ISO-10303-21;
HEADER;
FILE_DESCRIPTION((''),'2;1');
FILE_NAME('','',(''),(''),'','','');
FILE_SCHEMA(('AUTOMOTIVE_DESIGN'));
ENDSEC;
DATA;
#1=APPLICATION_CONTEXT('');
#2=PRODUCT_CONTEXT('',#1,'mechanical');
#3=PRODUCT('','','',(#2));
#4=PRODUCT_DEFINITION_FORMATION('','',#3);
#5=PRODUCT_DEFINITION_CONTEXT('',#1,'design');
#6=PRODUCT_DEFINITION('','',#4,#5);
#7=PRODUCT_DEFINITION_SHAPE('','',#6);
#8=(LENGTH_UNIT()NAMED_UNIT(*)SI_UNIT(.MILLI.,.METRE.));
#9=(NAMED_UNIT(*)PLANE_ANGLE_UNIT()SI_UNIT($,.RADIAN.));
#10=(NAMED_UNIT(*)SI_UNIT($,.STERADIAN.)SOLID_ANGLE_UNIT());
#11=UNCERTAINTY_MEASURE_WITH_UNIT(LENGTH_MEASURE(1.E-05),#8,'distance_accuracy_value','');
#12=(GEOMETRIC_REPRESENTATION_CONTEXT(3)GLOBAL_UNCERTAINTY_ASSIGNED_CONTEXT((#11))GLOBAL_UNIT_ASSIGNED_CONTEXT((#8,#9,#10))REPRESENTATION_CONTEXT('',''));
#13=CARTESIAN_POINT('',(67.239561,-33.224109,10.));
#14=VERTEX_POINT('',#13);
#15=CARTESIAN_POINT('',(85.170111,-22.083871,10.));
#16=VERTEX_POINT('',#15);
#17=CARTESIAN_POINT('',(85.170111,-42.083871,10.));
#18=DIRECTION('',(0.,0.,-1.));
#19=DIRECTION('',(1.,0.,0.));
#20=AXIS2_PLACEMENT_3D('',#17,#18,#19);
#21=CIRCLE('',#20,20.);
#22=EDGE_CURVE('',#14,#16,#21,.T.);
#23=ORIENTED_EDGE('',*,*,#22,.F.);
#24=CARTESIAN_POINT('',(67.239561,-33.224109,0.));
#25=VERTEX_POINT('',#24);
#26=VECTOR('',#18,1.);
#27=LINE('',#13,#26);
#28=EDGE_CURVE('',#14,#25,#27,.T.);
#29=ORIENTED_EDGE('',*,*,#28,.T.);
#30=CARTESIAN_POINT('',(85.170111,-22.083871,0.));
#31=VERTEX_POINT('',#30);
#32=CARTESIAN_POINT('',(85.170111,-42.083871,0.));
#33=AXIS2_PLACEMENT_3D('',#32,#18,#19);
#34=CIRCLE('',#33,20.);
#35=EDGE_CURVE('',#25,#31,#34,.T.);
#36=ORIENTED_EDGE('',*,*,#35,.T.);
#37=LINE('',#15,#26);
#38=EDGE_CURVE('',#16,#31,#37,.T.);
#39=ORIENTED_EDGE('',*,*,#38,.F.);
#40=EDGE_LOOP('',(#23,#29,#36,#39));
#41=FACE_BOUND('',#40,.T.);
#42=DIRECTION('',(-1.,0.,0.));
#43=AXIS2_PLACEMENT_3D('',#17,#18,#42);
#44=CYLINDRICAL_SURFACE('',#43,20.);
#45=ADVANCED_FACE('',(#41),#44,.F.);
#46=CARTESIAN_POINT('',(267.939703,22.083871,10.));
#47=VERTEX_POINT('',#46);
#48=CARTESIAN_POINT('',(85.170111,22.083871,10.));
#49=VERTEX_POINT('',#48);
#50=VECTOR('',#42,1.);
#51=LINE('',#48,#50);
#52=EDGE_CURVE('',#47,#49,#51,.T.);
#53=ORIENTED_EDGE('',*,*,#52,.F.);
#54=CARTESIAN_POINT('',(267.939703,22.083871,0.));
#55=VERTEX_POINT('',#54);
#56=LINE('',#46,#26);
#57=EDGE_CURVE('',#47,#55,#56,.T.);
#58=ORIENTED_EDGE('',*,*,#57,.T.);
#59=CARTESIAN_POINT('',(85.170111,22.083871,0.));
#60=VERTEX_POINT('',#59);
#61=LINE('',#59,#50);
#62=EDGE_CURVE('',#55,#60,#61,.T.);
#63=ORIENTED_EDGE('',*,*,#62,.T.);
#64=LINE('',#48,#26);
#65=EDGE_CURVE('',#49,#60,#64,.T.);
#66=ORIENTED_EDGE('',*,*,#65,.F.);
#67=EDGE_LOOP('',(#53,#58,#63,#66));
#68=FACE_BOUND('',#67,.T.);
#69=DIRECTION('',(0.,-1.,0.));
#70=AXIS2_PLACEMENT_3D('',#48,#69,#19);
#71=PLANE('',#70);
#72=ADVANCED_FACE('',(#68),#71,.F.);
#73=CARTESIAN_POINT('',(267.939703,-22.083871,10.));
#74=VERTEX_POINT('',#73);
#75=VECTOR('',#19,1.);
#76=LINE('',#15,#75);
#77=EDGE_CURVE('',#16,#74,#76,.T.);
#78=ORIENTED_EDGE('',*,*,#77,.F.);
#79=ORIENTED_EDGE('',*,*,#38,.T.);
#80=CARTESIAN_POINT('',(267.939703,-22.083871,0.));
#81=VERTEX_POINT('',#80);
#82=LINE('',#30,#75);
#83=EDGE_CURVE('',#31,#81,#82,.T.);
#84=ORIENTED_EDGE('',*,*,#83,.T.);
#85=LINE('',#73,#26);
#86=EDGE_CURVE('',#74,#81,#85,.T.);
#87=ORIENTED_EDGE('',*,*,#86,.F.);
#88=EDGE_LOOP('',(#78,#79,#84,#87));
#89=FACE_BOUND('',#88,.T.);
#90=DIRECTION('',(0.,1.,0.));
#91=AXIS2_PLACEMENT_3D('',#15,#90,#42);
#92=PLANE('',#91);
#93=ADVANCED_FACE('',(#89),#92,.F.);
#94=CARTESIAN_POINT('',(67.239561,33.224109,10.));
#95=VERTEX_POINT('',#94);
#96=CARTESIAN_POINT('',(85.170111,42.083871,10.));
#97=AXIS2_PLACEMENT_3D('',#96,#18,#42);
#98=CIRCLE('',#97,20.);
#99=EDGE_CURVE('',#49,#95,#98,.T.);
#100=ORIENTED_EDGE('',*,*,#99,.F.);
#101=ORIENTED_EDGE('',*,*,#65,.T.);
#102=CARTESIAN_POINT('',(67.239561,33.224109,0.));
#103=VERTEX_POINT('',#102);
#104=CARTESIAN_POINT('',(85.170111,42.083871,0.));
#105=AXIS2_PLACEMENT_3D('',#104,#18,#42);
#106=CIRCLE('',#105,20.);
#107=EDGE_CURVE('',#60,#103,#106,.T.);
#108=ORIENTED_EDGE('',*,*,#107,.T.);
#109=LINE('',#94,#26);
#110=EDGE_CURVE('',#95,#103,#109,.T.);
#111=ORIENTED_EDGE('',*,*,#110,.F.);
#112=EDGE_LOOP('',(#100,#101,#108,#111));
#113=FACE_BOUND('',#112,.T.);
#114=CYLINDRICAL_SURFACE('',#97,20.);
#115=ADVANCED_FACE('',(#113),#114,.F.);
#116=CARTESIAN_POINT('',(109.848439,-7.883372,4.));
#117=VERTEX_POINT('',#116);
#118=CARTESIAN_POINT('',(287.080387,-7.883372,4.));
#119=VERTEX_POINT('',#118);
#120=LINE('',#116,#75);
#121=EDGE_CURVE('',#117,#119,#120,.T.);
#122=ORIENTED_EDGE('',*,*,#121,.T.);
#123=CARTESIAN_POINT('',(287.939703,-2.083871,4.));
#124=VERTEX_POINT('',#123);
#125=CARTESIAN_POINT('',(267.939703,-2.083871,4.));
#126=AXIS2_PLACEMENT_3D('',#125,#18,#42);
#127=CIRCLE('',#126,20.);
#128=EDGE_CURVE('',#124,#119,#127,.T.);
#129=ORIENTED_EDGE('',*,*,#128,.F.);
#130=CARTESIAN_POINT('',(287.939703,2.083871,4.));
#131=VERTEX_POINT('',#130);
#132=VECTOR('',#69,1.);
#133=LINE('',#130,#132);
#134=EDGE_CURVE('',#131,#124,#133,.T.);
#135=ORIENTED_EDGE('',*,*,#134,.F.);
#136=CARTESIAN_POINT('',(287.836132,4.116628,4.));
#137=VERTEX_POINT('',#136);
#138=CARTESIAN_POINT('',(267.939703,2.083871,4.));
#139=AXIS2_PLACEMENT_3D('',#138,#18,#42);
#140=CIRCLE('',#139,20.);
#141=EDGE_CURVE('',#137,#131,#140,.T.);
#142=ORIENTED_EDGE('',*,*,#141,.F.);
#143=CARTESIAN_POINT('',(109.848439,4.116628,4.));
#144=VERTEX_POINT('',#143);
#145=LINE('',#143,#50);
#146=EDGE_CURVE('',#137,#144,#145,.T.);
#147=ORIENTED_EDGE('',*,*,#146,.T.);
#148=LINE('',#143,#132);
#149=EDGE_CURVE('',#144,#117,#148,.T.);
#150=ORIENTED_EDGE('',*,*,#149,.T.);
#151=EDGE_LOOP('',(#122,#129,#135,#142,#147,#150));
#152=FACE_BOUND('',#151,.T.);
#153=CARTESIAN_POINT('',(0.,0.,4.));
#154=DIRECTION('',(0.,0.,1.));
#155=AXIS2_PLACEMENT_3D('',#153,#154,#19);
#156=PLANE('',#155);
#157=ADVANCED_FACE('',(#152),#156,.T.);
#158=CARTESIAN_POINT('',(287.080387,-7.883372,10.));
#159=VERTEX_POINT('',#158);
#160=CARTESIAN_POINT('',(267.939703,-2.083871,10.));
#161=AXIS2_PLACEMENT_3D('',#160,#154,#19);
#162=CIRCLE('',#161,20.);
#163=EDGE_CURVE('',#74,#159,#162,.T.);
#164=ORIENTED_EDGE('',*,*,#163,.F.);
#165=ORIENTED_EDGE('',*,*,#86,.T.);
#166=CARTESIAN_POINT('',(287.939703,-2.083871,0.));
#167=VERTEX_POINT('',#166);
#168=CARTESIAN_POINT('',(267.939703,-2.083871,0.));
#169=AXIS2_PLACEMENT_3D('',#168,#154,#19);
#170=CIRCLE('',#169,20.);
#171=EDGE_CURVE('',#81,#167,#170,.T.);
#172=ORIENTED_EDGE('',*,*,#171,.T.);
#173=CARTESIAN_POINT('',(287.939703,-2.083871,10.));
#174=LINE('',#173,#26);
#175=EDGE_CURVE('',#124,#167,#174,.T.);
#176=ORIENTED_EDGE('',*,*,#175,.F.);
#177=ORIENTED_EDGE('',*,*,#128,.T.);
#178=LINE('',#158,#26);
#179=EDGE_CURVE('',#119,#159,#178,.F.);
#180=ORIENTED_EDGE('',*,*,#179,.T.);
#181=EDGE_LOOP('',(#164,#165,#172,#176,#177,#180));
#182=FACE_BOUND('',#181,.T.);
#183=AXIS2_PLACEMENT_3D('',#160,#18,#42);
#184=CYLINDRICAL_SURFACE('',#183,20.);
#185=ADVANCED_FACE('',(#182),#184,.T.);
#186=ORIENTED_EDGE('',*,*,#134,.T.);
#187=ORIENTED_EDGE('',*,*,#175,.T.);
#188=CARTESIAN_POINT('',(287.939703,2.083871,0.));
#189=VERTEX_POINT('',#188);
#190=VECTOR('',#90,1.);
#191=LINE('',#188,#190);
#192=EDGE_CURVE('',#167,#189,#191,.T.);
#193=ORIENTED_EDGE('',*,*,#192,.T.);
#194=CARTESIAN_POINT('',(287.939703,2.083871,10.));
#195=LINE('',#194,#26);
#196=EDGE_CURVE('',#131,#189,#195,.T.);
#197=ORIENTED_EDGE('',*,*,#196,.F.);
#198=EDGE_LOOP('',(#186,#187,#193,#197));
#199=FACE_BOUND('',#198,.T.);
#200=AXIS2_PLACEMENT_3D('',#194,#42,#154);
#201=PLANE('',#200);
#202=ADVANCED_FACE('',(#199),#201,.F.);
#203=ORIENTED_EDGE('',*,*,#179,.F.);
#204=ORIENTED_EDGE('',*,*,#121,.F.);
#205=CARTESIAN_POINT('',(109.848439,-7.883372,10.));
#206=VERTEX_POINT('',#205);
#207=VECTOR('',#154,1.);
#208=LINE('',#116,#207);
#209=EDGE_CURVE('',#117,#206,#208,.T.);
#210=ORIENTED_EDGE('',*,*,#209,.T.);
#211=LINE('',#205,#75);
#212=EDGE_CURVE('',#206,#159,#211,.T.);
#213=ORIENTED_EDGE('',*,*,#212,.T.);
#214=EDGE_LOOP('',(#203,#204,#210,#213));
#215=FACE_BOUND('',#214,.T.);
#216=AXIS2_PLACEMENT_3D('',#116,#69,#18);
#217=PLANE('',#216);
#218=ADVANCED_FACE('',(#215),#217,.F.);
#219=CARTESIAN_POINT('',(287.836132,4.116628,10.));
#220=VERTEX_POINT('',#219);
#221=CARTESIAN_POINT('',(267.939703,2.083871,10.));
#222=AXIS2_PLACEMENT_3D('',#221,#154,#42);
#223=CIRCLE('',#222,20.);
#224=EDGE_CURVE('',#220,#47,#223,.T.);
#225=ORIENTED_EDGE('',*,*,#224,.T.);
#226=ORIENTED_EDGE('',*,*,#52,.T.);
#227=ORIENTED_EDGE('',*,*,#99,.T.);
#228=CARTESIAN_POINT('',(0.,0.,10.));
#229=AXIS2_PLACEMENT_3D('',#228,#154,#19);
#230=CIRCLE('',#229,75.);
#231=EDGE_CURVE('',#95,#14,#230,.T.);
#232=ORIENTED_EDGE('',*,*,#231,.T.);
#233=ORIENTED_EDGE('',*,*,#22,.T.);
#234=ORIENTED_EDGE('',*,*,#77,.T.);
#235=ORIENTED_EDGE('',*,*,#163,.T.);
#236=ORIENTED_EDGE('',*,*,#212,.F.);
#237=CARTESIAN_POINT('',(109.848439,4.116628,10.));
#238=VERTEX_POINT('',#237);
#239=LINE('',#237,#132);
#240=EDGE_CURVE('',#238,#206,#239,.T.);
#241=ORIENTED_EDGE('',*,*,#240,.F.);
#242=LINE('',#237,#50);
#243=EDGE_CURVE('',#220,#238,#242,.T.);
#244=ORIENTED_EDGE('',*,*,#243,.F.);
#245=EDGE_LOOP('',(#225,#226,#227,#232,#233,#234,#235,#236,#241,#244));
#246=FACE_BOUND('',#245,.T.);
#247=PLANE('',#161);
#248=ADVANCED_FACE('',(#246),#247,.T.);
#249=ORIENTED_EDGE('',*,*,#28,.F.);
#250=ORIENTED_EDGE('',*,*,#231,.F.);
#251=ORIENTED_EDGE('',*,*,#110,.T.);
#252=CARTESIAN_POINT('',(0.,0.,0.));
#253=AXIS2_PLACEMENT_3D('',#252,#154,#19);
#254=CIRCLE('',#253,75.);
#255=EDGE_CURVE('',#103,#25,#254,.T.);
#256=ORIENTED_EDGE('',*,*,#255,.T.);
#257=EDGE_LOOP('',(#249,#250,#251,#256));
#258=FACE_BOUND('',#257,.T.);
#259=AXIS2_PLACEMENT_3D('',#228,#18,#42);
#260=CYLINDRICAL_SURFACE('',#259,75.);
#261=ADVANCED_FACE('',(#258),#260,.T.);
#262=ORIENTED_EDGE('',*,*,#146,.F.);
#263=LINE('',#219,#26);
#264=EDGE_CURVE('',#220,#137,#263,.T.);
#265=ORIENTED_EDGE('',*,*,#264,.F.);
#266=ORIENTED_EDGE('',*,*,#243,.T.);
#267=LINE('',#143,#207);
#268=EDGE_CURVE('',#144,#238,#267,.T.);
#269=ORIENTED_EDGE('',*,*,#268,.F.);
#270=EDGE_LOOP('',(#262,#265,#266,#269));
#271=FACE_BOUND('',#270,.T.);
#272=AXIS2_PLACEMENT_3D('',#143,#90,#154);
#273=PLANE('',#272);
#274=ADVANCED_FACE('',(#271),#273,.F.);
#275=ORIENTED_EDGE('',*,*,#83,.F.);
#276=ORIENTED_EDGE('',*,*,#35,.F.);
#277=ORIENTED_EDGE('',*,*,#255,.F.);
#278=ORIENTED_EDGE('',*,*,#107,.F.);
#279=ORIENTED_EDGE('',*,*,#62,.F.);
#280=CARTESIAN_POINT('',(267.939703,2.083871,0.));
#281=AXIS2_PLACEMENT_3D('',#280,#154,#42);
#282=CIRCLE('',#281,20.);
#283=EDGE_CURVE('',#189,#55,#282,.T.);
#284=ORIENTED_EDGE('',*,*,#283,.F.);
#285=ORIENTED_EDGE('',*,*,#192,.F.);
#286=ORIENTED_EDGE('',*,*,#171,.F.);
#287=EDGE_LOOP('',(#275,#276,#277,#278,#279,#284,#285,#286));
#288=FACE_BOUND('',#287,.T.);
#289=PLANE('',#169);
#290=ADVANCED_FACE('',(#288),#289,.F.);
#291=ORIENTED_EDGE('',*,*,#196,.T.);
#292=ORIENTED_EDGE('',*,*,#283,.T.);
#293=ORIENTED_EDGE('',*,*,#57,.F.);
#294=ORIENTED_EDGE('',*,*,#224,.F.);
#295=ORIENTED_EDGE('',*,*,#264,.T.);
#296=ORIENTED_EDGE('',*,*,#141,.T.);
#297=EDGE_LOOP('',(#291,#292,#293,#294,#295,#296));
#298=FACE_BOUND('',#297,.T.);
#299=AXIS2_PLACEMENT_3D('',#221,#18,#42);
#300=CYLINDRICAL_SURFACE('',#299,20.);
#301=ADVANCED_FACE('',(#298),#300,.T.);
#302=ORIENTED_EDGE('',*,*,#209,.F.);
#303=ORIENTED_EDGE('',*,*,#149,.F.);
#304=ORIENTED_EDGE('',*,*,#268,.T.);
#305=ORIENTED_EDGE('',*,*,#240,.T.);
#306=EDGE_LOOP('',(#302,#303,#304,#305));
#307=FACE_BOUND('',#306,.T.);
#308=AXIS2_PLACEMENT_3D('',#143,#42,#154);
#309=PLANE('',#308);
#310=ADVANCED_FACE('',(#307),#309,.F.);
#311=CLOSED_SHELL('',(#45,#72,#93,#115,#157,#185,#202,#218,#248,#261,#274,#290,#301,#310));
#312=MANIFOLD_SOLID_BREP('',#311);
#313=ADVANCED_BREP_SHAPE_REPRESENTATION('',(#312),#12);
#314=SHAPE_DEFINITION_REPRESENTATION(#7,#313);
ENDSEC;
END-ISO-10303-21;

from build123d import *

# Parameters (mm, degrees)
BOSS_EXTRUDE1_DEPTH = 10
SKETCH2_W           = 168.929390661
SKETCH2_H           = 12
CUT_EXTRUDE1_DEPTH  = 6
SKETCH3_W           = 79.959911579
SKETCH3_H           = 12
CUT_EXTRUDE2_DEPTH  = 6


with BuildPart() as part:
    # Sketch1 → Boss-Extrude1 (new body)
    with BuildSketch(Plane.XY):
        with BuildLine():
            Line((85.170110947, 22.083871035), (267.939703111, 22.083871035))
            ThreePointArc((267.939703111, 22.083871035), (282.081838735, 16.226006659), (287.939703111, 2.083871035))
            Line((287.939703111, 2.083871035), (287.939703111, -2.083871035))
            ThreePointArc((287.939703111, -2.083871035), (282.081838735, -16.226006659), (267.939703111, -22.083871035))
            Line((267.939703111, -22.083871035), (85.170110947, -22.083871035))
            ThreePointArc((85.170110947, -22.083871035), (74.615378512, -25.095709768), (67.239561274, -33.224108712))
            ThreePointArc((67.239561274, -33.224108712), (-75, 0), (67.239561274, 33.224108712))
            ThreePointArc((67.239561274, 33.224108712), (74.615378512, 25.095709768), (85.170110947, 22.083871035))
        make_face()
    extrude(amount=BOSS_EXTRUDE1_DEPTH)

    # Sketch2 → Cut-Extrude1 (cut)
    with BuildSketch(Plane.XY.offset(10)):
        with Locations((194.3131347, -1.883371564)):
            Rectangle(SKETCH2_W, SKETCH2_H)
    extrude(amount=-CUT_EXTRUDE1_DEPTH, mode=Mode.SUBTRACT)

    # Sketch3 → Cut-Extrude2 (cut)
    with BuildSketch(Plane.XY.offset(10)):
        with Locations((318.757785819, -1.883371564)):
            Rectangle(SKETCH3_W, SKETCH3_H)
    extrude(amount=-CUT_EXTRUDE2_DEPTH, mode=Mode.SUBTRACT)


solid = part.part
